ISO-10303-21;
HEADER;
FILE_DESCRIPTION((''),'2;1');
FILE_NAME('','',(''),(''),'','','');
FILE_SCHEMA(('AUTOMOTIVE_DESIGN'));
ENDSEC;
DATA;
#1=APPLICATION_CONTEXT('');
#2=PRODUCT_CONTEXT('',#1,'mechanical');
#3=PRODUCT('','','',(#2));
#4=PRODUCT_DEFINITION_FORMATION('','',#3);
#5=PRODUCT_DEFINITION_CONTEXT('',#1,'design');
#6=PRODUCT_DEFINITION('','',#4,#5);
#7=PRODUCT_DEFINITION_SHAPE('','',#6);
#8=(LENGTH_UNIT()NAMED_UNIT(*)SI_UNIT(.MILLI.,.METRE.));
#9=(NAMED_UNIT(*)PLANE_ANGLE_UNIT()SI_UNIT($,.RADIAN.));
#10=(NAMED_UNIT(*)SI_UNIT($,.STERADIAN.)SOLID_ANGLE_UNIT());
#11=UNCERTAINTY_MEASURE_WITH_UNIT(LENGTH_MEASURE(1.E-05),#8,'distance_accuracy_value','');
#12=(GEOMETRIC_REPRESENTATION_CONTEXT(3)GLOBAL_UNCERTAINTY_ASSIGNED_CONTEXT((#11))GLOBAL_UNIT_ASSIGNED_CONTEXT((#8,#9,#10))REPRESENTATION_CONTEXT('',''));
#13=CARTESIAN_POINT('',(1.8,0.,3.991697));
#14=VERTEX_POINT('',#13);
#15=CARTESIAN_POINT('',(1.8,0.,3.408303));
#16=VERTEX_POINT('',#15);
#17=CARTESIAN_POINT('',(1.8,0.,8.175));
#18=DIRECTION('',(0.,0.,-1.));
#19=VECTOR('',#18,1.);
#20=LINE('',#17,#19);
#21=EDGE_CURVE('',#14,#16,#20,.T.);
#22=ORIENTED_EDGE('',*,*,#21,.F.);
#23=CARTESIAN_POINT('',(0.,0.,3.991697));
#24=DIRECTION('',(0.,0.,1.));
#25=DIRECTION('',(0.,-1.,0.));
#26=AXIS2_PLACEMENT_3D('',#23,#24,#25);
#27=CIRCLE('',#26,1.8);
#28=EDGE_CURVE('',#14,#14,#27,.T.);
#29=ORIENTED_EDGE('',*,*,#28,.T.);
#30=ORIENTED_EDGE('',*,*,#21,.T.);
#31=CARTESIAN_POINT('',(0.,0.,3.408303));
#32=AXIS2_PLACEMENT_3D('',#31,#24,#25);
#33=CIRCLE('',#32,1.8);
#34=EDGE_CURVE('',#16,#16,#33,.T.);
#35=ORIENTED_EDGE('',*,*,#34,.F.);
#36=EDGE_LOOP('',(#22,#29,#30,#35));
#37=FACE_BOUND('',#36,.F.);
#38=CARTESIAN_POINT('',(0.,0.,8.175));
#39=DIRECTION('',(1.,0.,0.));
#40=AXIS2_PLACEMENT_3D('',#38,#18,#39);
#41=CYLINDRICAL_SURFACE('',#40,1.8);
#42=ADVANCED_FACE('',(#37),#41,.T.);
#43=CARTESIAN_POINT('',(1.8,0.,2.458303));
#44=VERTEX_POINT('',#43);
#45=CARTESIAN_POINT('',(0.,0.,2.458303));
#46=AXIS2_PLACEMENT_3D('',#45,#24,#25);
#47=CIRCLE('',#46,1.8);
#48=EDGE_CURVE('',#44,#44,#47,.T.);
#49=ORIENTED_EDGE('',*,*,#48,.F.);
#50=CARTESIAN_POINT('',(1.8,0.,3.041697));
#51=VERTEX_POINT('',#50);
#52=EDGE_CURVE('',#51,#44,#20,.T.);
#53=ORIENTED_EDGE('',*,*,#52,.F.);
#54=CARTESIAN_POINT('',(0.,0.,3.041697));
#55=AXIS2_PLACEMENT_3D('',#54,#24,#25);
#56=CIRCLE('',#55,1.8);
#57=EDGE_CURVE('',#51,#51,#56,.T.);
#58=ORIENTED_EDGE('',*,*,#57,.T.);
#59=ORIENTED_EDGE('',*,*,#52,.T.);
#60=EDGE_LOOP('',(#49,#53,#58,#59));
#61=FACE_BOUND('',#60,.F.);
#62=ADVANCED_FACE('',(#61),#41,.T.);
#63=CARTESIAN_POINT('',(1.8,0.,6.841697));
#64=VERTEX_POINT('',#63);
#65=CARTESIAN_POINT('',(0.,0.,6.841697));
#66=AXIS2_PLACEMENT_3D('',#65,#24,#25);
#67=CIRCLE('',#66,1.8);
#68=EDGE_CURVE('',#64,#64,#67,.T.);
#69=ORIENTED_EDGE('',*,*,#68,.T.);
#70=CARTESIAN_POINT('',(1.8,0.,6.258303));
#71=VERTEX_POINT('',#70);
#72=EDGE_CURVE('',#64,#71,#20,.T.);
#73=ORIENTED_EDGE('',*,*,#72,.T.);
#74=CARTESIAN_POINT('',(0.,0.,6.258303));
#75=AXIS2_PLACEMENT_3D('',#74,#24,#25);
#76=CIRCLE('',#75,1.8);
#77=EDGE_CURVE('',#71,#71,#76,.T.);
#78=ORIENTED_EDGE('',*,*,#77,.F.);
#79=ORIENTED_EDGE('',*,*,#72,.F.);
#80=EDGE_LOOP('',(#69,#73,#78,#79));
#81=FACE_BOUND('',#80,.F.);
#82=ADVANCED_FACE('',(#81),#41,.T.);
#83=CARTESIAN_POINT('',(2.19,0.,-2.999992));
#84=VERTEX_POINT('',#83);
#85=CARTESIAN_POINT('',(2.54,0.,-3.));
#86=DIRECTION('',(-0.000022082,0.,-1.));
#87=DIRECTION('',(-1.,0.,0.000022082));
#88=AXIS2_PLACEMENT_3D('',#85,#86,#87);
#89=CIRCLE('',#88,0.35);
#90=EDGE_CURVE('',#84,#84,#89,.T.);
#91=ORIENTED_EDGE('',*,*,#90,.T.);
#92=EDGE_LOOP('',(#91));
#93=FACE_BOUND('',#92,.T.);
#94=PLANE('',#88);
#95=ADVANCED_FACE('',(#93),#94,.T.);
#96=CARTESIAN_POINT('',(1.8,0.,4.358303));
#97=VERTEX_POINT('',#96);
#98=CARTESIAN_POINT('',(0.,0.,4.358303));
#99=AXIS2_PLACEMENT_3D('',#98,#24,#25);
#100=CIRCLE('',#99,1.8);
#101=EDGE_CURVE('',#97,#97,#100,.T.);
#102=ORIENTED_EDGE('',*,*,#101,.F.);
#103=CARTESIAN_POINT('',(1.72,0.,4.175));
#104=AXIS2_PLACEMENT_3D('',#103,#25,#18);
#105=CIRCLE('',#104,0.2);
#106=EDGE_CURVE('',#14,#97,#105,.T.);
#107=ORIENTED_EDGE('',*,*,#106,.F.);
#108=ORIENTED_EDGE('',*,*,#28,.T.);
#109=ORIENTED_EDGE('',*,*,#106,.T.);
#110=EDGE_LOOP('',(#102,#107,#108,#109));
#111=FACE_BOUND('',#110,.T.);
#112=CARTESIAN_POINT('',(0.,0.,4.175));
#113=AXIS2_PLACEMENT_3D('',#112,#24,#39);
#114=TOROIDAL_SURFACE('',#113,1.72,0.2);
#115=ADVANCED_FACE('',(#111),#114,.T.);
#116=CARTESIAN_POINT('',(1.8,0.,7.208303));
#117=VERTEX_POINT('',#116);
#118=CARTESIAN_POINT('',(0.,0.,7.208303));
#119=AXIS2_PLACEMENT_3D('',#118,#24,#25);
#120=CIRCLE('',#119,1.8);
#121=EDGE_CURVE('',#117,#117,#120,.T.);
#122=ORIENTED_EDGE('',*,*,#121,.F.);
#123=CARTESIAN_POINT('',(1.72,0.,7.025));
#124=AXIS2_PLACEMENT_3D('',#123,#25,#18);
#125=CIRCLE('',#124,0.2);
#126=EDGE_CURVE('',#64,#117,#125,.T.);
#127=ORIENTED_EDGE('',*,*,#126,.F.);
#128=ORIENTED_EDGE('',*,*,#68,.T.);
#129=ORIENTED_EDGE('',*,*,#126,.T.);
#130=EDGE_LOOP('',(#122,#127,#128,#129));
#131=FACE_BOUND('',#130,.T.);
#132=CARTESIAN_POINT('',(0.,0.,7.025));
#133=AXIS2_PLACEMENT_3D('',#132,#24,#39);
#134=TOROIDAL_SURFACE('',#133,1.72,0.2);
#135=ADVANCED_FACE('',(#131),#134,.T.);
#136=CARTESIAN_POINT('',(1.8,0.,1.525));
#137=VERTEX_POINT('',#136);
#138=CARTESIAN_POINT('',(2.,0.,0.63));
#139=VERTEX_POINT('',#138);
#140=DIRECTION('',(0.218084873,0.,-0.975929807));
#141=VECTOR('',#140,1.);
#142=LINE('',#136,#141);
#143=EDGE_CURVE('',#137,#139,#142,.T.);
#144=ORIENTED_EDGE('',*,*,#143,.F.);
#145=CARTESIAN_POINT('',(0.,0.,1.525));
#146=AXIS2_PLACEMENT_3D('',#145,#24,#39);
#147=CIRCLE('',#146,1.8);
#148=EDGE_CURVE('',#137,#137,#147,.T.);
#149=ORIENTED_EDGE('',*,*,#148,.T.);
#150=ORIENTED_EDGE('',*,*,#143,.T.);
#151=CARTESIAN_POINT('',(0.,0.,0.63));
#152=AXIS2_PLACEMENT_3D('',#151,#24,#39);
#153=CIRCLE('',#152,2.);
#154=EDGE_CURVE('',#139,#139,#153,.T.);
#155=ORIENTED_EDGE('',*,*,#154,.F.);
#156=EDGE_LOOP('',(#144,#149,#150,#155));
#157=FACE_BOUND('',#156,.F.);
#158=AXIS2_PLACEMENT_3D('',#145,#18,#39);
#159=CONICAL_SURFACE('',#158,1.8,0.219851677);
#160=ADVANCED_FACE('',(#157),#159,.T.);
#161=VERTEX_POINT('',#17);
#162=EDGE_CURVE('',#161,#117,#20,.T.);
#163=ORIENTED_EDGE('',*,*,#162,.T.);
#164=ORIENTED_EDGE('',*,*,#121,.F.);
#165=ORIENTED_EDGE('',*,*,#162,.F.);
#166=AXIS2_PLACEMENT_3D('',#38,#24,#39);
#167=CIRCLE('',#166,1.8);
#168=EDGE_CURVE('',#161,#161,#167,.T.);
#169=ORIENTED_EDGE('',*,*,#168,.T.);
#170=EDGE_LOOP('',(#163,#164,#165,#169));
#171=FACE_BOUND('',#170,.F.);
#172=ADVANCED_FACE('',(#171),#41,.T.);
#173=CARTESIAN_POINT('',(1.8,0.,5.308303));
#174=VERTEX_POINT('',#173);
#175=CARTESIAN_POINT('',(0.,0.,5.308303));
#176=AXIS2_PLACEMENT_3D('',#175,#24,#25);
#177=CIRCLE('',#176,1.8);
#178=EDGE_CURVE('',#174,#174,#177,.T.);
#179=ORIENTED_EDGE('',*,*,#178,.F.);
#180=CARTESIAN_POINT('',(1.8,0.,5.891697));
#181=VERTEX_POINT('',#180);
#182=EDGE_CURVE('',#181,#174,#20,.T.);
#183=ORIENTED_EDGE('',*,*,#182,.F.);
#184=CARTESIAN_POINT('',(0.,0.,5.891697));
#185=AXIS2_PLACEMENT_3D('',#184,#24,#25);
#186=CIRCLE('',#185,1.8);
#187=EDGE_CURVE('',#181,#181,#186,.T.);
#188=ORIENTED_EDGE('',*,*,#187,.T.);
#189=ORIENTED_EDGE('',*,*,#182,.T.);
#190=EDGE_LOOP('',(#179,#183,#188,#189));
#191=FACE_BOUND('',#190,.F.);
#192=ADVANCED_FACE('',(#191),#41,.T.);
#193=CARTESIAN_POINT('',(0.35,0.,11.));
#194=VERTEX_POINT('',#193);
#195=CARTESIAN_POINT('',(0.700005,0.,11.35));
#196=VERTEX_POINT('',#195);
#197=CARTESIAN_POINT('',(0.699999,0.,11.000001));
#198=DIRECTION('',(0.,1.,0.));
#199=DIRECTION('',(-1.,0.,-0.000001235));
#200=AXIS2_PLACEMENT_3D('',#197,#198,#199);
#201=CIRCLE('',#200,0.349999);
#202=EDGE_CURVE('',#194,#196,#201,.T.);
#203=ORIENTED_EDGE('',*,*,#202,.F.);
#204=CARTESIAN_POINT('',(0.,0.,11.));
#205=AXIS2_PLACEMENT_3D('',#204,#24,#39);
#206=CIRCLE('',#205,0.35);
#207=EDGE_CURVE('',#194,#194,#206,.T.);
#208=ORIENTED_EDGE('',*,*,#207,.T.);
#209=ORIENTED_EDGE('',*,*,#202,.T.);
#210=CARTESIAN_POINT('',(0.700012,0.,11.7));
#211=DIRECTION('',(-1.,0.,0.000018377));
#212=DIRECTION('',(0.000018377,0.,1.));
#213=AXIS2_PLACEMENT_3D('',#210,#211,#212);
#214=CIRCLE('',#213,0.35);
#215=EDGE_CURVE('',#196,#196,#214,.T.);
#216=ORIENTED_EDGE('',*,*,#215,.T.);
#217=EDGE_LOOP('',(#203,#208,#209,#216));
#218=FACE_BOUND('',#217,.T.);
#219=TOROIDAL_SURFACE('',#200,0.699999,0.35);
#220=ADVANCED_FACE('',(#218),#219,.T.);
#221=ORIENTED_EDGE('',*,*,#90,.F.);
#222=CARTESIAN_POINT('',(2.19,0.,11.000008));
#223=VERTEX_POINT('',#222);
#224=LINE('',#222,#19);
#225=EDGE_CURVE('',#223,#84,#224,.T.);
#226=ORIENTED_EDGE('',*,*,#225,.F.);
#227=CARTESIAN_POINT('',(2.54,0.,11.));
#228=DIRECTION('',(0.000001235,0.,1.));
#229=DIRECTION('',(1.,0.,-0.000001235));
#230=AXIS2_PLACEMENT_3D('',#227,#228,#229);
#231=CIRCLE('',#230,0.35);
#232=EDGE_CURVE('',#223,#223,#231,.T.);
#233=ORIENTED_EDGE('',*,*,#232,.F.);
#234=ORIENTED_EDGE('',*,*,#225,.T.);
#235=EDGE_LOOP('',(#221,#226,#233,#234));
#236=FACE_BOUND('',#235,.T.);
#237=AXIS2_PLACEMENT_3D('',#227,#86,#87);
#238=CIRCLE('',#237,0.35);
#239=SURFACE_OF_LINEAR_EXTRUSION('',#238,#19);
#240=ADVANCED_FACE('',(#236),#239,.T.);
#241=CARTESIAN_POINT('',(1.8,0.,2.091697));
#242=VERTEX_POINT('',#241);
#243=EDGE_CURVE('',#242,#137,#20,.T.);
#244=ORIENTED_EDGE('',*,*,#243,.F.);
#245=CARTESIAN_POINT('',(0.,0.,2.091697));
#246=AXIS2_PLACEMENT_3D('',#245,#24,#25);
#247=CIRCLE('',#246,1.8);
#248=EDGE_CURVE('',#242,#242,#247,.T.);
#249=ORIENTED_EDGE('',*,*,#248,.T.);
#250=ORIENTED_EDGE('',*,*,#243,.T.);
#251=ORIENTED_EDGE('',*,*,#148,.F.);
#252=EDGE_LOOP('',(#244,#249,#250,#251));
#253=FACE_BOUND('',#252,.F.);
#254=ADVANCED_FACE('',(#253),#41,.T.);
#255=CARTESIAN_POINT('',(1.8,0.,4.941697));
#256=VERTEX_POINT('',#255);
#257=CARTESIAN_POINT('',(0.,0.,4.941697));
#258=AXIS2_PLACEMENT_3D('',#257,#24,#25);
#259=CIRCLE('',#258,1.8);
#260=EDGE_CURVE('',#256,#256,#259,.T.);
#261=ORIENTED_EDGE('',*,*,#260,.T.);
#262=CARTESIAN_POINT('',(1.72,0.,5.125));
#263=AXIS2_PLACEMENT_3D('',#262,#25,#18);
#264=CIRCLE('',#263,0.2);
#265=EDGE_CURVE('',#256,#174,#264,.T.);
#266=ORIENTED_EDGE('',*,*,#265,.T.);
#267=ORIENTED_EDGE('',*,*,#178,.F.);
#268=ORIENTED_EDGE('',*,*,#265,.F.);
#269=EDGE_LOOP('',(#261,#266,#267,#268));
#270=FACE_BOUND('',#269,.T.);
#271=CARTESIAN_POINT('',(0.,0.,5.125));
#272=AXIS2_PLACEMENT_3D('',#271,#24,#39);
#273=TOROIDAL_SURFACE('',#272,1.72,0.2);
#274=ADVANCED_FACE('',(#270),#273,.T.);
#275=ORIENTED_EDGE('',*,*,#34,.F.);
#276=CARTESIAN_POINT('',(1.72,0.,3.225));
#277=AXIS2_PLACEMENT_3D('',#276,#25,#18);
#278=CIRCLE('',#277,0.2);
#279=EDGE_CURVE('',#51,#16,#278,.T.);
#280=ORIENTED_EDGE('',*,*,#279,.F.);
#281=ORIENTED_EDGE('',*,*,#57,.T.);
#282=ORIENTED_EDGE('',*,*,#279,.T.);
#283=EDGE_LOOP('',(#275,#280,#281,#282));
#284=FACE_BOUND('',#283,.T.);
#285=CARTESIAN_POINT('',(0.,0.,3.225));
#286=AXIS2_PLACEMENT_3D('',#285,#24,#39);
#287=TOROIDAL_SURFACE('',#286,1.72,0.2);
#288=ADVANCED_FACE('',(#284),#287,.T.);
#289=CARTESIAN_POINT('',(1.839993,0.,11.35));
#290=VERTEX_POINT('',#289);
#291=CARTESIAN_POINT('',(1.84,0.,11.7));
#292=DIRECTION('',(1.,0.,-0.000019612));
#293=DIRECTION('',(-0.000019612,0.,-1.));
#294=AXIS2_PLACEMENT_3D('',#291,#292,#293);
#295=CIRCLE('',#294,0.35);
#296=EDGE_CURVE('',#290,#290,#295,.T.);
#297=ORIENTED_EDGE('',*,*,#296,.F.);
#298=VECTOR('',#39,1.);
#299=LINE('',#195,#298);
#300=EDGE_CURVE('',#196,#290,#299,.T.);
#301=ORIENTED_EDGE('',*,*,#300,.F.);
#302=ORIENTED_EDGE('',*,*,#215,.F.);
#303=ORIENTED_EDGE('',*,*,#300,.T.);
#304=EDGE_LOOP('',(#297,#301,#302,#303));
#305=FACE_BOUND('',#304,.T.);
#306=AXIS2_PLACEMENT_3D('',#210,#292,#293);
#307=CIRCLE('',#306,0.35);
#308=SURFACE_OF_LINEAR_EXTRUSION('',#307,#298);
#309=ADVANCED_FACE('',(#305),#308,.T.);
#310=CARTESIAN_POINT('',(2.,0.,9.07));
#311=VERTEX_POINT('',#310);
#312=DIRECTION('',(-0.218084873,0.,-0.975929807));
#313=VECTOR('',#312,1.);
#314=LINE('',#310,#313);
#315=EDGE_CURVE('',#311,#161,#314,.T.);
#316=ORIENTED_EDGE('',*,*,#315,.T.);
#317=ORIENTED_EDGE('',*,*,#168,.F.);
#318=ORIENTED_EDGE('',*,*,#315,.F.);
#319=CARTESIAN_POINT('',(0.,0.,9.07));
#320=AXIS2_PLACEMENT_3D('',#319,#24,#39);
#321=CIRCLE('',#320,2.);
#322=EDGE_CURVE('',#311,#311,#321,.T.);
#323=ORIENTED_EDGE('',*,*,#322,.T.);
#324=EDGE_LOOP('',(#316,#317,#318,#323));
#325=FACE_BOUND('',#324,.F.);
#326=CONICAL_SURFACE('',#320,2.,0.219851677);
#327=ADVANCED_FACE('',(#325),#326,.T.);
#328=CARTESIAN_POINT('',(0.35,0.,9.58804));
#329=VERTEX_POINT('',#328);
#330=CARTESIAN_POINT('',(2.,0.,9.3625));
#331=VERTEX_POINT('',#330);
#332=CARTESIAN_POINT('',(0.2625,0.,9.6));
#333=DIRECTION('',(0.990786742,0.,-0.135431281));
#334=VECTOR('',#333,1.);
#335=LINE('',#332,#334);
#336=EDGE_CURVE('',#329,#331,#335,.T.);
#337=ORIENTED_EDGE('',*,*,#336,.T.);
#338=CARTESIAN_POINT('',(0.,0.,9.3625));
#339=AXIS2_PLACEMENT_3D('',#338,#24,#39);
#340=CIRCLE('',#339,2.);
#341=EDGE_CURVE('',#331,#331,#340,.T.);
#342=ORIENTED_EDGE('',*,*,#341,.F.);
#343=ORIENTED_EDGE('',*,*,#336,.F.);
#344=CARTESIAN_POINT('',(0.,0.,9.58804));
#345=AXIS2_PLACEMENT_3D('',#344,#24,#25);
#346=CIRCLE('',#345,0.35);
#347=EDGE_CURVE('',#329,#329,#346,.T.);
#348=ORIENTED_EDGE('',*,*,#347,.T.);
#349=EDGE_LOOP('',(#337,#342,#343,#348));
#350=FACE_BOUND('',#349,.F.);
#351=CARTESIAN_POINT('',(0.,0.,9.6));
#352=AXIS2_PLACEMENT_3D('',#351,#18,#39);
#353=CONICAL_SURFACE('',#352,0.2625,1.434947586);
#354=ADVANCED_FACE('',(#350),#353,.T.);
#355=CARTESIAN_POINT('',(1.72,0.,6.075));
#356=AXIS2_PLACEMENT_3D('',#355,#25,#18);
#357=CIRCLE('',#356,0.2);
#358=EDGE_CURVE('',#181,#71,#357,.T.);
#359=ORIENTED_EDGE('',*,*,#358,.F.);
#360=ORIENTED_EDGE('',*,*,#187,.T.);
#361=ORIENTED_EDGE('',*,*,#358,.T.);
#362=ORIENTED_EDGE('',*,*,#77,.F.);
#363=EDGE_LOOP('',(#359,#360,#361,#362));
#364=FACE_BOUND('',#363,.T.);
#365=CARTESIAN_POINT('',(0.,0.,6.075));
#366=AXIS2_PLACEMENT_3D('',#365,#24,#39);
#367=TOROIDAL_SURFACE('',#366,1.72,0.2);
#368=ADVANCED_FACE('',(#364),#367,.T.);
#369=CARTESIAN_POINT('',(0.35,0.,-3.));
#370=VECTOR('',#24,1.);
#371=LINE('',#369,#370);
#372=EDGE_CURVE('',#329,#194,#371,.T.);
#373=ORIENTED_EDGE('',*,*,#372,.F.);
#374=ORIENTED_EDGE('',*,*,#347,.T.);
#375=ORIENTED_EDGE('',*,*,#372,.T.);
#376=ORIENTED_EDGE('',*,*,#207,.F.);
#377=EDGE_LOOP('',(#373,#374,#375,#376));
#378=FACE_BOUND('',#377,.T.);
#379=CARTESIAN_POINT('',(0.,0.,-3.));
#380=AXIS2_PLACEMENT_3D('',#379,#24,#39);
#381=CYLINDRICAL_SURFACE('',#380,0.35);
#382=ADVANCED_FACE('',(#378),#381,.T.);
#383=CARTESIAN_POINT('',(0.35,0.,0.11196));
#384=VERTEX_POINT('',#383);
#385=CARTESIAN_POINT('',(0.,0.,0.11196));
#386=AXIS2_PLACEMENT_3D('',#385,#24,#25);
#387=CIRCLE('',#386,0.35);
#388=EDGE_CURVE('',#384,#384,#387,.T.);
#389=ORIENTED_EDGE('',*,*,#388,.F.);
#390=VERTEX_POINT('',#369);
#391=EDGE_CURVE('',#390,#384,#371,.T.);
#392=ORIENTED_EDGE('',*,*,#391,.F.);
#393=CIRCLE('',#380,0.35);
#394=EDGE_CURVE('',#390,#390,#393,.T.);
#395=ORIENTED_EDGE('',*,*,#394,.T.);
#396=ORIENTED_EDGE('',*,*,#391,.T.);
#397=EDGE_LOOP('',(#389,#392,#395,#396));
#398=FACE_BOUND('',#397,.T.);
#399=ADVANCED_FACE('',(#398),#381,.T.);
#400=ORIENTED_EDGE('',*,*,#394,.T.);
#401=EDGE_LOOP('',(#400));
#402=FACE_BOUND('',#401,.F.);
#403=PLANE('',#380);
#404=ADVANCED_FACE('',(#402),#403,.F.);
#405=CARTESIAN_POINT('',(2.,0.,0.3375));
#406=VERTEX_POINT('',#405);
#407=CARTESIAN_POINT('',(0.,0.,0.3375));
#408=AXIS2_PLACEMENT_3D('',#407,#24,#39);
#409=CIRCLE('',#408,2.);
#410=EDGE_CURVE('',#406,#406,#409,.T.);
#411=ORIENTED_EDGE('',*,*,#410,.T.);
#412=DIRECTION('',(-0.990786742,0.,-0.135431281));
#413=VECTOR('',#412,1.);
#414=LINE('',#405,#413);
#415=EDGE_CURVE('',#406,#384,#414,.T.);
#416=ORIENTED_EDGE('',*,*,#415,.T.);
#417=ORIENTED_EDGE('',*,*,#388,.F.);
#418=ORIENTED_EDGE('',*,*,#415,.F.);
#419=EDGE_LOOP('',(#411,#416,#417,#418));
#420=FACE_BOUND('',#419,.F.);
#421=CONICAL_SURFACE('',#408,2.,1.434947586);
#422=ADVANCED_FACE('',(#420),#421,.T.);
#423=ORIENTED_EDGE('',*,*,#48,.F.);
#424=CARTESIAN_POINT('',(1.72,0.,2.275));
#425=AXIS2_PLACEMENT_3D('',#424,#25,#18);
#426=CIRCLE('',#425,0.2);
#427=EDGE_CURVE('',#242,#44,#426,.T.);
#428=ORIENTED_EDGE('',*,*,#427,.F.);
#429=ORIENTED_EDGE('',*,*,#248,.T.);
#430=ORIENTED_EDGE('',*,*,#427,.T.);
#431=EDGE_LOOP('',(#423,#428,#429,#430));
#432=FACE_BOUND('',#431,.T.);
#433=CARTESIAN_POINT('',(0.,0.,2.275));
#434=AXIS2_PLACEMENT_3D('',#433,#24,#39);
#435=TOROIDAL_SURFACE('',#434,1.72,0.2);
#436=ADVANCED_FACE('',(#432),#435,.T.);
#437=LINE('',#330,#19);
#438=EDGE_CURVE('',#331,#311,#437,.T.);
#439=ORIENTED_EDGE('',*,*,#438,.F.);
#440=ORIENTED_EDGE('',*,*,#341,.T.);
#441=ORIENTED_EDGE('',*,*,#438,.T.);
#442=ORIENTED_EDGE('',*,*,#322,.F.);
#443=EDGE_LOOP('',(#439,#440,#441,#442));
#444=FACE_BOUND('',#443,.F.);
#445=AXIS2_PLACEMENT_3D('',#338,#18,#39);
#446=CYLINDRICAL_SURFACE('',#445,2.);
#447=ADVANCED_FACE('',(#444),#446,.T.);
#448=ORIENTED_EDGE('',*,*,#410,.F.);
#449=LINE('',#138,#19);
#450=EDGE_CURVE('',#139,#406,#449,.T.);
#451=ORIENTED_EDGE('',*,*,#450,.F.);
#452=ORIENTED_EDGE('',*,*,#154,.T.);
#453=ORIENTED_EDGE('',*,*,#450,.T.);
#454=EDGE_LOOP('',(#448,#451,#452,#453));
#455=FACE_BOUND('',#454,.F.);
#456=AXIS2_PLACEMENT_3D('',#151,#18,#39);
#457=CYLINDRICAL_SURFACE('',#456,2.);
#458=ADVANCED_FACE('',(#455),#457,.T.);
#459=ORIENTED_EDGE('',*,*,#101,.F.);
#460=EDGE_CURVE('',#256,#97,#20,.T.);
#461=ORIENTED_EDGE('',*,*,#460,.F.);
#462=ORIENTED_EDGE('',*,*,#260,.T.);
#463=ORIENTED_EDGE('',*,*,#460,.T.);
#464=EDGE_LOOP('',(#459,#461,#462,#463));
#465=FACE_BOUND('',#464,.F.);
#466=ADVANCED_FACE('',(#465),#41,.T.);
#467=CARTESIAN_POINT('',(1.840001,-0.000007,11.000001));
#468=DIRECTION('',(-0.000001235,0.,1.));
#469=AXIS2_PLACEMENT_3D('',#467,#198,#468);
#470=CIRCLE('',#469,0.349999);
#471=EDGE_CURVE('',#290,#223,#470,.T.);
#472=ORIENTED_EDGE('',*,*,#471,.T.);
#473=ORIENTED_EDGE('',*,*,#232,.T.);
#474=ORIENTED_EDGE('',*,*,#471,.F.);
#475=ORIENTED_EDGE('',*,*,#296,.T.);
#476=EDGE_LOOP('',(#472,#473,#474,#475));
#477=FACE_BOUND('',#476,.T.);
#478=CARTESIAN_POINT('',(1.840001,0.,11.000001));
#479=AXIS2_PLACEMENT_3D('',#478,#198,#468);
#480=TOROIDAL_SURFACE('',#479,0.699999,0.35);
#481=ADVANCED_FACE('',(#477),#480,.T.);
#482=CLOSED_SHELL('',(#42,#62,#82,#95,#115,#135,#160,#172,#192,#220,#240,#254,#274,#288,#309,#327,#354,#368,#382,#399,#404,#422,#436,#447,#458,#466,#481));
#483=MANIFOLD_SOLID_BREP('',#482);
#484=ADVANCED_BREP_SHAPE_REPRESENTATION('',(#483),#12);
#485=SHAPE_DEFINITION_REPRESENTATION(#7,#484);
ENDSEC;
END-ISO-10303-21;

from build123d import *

# Parameters (mm, degrees)
SKETCH_R = 0.35


with BuildPart() as revolution:
    # Sketch002 → Revolution (revolve)
    with BuildSketch(Plane.XZ):
        Polygon((0, 0.1), (0, 9.6), (0.2625, 9.6), (2, 9.3625), (2, 9.07), (1.8, 8.175), (1.8, 1.525), (2, 0.63), (2, 0.3375), (0.2625, 0.1), align=None)
    revolve(axis=Axis((0, 0, 0), (0, 0, 1)))


with BuildPart() as revolution001:
    # Sketch003 → Revolution001 (revolve)
    with BuildSketch(Plane.XZ):
        with BuildLine():
            Line((1.6, 7.775), (1.6, 1.525))
            Line((1.6, 1.525), (1.72, 1.525))
            Line((1.72, 1.525), (1.72, 2.075))
            ThreePointArc((1.72, 2.075), (1.92, 2.275), (1.72, 2.475))
            Line((1.72, 2.475), (1.72, 3.025))
            ThreePointArc((1.72, 3.025), (1.92, 3.225), (1.72, 3.425))
            Line((1.72, 3.425), (1.72, 3.975))
            ThreePointArc((1.72, 3.975), (1.92, 4.175), (1.72, 4.375))
            Line((1.72, 4.375), (1.72, 4.925))
            ThreePointArc((1.72, 4.925), (1.92, 5.125), (1.72, 5.325))
            Line((1.72, 5.325), (1.72, 5.875))
            ThreePointArc((1.72, 5.875), (1.92, 6.075), (1.72, 6.275))
            Line((1.72, 6.275), (1.72, 6.825))
            ThreePointArc((1.72, 6.825), (1.92, 7.025), (1.72, 7.225))
            Line((1.72, 7.775), (1.72, 7.225))
            Line((1.6, 7.775), (1.72, 7.775))
        make_face()
    revolve(axis=Axis((0, 0, 0), (0, 0, 1)))


with BuildPart() as sweep_mp_cp:
    # Sweep: sweep along a path in Sketch001
    with BuildLine(Plane.XZ) as sweep_path:
        Line((0, -3), (0, 11))
        ThreePointArc((0, 11), (0.205029, 11.494979), (0.700012, 11.7))
        Line((0.700012, 11.7), (1.84, 11.7))
        ThreePointArc((1.84, 11.7), (2.334975, 11.494975), (2.54, 11))
        Line((2.54, 11), (2.54, -3))
    # Sketch → Sweep (sweep)
    with BuildSketch(Plane.XY.offset(-2)):
        Circle(SKETCH_R)
    sweep(path=sweep_path.line)

    # Sweep_mp_cp: union Revolution, Revolution001
    add(revolution.part)
    add(revolution001.part)


solid = sweep_mp_cp.part
